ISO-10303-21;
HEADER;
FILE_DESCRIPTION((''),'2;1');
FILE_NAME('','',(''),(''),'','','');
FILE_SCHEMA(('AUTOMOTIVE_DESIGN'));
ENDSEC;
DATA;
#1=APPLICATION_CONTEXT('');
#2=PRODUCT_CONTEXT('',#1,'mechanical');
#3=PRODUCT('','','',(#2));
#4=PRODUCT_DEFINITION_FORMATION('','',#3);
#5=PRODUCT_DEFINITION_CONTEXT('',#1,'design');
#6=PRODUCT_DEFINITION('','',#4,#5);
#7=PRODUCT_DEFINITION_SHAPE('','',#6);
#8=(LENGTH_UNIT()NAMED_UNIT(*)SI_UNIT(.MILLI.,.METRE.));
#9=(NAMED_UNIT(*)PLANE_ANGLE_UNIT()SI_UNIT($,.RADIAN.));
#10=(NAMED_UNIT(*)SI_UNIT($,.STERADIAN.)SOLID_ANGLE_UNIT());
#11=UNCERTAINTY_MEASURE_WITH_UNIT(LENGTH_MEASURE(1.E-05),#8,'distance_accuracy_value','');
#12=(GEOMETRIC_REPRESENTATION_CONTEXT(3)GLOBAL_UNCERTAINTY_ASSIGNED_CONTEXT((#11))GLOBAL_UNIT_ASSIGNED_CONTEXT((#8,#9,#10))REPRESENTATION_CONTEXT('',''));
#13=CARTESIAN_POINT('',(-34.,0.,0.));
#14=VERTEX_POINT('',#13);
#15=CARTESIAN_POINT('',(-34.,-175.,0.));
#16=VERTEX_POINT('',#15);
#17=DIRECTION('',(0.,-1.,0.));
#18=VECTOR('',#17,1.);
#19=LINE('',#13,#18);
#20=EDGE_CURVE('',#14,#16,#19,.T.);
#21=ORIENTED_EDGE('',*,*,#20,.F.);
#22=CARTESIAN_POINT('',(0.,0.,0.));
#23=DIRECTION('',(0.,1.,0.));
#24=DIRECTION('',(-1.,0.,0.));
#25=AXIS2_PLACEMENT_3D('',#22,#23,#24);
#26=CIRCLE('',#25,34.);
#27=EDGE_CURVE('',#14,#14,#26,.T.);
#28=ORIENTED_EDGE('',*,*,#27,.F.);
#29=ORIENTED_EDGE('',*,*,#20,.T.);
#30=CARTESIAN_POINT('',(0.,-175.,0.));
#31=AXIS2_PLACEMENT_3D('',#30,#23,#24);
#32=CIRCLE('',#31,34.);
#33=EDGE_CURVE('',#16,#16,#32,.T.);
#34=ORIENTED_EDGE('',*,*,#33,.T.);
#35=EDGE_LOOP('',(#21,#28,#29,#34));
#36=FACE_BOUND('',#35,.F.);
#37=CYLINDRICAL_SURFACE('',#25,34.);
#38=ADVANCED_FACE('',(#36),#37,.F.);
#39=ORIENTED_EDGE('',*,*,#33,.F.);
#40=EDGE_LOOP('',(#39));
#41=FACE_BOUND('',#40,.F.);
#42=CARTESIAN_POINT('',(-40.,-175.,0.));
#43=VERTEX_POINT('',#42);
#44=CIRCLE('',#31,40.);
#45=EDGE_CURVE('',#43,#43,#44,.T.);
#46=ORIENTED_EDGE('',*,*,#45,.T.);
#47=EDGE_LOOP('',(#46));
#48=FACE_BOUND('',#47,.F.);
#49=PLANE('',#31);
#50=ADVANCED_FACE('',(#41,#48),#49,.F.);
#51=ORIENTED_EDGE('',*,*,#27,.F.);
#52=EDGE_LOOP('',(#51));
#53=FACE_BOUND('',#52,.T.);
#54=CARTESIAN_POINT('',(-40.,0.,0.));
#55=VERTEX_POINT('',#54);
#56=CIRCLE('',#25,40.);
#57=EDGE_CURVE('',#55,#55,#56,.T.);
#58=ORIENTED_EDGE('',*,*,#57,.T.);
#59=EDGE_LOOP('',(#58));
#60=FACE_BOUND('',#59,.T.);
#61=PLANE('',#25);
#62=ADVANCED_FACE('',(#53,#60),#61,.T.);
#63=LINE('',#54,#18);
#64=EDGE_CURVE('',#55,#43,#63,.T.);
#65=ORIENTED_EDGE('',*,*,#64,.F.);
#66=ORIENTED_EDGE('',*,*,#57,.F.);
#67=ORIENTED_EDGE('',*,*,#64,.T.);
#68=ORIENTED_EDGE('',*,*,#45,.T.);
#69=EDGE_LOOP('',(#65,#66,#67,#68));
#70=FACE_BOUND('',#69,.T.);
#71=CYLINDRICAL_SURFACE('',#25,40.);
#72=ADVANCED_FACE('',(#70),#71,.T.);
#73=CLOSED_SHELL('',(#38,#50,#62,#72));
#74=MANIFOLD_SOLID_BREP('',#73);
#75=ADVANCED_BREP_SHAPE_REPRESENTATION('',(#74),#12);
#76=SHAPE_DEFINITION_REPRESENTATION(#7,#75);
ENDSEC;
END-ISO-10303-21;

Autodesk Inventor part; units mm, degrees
ref_plane "YZ Plane" through (0, 0, 0) normal (1, 0, 0) x (0, 1, 0)
ref_plane "XZ Plane" through (0, 0, 0) normal (0, 1, 0) x (-1, 0, 0)
ref_plane "XY Plane" through (0, 0, 0) normal (0, 0, 1) x (1, 0, 0)
sketch "Sketch1" plane through (0, 0, 0) normal (0, 1, 0) x (-1, 0, 0)
  circle A0 centre (0, 0) radius 40
  circle A1 centre (0, 0) radius 34
  dimension "d0" = 80
  dimension "d1" = 6
extrude "Extrusion1" add sketch "Sketch1" against normal blind 175
equation "\"d0\" = Внешний_диам_трубы_подкл"
equation "\"d2\" = Длина_трубы_подкл"
equation "\"Внешний_диам_трубы_подкл\" = 80"
equation "\"Длина_трубы_подкл\" = 175"
properties part number "Труба подключения фильтра D1200"
